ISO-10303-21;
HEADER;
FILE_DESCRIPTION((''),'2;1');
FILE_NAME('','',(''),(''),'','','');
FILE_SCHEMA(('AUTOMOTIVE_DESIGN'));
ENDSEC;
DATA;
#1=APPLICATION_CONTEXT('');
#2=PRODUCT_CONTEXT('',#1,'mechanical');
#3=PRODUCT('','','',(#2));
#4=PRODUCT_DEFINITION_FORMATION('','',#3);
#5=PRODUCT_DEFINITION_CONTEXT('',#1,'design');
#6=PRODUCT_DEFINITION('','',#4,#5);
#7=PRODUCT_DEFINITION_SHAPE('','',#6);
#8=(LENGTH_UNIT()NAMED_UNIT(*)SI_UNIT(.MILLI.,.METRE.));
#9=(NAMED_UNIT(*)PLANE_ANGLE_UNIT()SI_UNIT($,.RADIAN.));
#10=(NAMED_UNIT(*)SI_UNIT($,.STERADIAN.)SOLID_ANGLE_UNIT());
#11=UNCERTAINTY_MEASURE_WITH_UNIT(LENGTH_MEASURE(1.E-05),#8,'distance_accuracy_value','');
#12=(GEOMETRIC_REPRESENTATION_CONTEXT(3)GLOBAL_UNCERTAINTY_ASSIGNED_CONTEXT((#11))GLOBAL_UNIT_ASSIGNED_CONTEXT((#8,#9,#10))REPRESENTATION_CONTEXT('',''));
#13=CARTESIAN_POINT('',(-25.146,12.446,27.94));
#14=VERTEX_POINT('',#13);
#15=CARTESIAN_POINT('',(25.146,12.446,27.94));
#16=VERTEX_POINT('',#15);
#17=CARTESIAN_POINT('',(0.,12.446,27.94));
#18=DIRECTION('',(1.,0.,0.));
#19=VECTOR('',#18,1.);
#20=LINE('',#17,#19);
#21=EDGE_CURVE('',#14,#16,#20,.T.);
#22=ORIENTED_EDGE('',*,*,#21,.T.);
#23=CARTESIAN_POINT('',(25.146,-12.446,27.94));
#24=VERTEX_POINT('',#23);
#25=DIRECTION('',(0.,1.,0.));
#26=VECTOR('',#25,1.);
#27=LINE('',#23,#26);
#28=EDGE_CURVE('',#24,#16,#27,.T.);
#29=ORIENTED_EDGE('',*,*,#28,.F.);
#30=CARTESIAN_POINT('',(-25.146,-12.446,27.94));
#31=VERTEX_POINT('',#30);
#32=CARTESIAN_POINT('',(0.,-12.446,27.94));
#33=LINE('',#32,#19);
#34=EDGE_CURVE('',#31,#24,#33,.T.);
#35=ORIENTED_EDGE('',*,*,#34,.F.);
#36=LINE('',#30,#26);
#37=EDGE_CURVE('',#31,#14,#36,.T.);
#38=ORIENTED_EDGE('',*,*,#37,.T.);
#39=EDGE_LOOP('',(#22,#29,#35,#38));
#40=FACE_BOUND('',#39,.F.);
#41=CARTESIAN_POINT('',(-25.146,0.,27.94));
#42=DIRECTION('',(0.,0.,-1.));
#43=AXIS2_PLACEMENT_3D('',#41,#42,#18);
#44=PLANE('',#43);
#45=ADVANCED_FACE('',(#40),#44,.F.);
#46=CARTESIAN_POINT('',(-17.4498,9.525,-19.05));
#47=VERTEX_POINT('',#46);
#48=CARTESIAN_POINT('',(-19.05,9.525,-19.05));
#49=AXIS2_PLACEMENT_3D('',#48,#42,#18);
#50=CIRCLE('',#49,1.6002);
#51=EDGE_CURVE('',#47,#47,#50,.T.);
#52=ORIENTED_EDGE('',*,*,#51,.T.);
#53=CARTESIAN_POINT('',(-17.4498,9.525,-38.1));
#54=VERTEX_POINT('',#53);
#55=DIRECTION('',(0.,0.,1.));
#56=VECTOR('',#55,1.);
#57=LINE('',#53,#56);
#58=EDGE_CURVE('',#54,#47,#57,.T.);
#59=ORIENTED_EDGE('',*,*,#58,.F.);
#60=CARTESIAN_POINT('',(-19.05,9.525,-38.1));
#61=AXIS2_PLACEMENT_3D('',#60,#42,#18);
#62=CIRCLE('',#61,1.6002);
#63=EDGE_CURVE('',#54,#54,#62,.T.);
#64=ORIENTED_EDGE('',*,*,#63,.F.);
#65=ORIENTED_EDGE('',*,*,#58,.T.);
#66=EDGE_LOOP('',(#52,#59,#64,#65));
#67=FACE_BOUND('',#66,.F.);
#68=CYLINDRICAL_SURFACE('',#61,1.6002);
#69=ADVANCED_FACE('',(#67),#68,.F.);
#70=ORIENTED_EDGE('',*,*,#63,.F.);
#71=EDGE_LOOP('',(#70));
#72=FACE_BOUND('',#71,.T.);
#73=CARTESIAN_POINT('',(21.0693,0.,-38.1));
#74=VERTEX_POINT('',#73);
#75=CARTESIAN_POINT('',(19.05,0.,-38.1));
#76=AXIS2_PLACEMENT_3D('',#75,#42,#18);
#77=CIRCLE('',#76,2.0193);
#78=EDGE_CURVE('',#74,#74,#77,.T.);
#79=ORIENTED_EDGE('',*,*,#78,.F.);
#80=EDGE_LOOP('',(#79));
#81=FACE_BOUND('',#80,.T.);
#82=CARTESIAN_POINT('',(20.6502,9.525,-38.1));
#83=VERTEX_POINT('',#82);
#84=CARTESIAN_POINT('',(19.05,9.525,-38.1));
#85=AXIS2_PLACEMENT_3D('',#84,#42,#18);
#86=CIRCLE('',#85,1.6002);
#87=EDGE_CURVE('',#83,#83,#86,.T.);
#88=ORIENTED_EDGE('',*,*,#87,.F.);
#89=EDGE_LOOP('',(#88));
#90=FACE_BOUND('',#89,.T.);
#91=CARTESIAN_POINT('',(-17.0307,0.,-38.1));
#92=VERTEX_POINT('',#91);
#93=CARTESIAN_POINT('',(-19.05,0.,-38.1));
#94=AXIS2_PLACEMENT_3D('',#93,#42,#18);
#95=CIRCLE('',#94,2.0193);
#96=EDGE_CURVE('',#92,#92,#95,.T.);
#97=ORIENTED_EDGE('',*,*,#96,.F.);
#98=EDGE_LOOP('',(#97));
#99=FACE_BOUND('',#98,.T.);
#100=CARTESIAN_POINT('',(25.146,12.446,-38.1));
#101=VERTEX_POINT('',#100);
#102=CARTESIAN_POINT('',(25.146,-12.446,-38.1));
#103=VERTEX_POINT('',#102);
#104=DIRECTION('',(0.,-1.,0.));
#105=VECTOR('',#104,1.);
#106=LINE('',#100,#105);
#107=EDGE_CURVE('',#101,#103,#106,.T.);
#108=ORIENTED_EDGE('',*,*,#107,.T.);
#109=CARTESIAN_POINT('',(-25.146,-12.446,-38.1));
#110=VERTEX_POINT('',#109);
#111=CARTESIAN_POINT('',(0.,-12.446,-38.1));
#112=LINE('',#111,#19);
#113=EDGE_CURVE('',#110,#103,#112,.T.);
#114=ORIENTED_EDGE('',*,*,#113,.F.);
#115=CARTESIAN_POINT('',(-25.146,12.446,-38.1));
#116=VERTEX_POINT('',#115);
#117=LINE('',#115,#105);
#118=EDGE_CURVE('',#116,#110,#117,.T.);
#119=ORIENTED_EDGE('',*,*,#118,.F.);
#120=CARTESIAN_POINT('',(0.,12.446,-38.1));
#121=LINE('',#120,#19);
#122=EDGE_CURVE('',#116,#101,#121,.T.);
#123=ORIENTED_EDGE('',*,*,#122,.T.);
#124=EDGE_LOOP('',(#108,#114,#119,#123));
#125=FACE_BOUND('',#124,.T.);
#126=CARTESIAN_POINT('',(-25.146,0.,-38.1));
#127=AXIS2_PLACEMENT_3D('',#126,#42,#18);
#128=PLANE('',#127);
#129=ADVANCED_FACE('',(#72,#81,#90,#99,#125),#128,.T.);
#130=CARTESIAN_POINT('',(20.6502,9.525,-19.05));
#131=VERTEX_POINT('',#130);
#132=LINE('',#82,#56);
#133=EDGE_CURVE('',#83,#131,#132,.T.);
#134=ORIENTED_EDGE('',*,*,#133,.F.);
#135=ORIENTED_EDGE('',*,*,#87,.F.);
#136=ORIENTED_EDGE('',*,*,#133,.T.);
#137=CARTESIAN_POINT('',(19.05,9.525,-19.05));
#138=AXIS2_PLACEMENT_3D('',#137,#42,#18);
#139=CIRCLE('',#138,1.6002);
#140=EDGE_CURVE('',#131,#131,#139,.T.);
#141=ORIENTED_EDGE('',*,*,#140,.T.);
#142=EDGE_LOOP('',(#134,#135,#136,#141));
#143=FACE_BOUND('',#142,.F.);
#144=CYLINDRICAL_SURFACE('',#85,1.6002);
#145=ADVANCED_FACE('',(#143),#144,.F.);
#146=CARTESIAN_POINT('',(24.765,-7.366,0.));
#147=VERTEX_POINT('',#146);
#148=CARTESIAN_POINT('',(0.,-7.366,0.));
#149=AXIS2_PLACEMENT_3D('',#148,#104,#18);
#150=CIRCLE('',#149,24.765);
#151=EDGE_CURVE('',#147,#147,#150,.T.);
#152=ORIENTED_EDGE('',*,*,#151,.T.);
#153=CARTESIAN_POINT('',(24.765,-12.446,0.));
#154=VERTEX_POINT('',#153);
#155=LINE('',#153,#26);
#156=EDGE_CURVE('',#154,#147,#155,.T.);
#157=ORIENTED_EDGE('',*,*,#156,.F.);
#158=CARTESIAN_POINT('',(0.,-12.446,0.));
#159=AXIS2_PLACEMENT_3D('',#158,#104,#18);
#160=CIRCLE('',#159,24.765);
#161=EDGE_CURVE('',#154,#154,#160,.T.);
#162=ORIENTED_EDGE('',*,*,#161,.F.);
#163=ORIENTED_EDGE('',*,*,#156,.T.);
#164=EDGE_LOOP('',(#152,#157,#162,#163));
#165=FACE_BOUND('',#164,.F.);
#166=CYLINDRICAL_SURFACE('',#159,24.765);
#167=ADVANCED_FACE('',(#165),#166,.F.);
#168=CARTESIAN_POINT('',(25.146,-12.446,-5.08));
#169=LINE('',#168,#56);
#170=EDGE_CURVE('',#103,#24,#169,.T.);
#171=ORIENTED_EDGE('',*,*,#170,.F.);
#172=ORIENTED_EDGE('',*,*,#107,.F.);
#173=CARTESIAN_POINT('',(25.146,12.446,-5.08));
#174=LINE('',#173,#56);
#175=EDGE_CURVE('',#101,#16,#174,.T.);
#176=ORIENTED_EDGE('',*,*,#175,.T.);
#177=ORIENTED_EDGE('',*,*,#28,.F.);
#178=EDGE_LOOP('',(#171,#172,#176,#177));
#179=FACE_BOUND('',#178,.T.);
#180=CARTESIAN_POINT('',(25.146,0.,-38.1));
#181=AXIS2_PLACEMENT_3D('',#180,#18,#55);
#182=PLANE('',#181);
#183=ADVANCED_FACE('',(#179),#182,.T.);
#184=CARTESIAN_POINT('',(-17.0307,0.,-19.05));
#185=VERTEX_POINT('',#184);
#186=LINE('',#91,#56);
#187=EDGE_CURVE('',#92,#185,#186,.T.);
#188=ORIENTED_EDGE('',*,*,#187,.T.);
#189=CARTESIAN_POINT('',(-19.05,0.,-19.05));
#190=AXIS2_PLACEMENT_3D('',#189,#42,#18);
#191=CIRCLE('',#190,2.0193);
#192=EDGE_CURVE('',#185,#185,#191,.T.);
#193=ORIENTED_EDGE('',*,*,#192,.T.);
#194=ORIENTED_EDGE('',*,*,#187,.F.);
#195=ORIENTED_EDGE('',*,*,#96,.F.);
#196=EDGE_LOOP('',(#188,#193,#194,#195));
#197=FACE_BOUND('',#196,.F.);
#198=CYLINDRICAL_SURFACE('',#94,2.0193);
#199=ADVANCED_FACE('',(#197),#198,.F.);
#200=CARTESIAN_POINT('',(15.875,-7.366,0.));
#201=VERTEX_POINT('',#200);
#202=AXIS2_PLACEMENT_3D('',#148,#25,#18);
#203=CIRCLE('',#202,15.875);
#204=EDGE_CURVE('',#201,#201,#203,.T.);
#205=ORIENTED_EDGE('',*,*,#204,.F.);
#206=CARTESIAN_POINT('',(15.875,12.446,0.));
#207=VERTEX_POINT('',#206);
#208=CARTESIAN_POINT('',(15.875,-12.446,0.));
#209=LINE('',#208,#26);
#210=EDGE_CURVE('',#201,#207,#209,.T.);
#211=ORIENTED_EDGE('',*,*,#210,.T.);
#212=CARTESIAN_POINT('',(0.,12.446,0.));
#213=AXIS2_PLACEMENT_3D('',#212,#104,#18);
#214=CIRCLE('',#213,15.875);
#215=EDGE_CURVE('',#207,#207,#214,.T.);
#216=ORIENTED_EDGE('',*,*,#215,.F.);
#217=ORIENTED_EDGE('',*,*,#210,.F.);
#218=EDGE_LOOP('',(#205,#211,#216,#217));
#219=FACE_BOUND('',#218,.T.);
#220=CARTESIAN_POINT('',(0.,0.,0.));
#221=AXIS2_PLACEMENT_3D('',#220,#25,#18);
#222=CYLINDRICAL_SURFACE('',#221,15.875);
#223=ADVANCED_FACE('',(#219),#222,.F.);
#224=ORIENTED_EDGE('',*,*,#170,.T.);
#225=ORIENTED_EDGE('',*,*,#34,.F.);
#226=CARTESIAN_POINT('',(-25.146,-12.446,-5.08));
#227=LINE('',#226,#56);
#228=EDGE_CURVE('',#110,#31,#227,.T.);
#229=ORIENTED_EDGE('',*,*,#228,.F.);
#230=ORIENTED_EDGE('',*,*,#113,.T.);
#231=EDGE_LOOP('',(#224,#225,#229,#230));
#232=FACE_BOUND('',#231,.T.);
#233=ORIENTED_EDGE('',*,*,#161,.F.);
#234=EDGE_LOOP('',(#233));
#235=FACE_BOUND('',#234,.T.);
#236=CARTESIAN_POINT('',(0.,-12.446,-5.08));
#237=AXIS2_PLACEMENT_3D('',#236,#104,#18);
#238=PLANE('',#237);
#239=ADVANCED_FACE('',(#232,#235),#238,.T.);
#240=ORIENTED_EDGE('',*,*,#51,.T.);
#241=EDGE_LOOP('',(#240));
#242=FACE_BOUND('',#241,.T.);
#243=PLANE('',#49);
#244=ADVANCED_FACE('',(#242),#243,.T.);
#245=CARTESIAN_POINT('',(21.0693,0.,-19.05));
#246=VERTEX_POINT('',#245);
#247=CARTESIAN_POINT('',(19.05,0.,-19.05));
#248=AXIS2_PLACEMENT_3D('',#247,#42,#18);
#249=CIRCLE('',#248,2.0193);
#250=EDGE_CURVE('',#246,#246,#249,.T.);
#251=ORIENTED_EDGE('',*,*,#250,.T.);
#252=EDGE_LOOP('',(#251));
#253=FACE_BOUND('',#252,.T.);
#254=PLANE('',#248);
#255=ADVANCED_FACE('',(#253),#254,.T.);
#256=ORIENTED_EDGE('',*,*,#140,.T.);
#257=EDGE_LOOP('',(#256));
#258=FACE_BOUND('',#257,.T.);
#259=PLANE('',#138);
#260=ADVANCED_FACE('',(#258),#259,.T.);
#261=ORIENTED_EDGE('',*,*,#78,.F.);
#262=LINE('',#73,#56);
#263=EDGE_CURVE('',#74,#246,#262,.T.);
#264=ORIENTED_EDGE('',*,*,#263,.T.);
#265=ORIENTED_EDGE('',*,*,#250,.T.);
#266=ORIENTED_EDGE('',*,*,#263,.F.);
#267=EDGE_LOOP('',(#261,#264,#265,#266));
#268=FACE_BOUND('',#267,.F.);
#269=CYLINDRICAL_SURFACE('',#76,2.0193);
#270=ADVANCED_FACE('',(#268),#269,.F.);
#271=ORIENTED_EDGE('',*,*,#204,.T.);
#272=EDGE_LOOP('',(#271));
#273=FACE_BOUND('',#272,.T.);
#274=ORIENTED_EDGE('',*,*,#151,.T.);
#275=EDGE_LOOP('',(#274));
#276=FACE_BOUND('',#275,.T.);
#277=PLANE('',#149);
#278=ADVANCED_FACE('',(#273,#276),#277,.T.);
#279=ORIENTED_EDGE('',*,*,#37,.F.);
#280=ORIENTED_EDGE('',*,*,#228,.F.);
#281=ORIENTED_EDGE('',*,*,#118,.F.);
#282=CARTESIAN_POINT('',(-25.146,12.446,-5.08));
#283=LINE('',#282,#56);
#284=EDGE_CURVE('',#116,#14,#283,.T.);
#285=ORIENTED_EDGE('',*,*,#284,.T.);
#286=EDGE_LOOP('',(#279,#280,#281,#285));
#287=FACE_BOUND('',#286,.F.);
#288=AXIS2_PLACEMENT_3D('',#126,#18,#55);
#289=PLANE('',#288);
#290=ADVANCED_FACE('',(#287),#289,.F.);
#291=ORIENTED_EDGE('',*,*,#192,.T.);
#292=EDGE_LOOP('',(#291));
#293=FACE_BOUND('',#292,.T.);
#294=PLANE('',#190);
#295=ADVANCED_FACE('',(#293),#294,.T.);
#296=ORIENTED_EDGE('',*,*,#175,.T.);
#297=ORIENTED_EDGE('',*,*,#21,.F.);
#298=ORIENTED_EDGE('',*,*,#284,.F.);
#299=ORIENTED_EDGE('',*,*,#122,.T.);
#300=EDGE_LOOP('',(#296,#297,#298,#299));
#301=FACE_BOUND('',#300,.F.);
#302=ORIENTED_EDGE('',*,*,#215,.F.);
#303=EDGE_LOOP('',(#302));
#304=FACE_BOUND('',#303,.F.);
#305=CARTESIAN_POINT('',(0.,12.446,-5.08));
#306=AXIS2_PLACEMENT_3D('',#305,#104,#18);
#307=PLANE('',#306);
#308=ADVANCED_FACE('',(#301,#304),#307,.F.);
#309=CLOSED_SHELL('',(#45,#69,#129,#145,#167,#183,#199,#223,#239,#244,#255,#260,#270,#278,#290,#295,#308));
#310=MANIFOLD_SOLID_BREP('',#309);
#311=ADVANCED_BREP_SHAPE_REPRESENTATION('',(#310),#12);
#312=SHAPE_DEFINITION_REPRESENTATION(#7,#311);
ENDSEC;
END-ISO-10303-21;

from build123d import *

# Parameters (mm, degrees)
F0_W     = 50.292
F0_H     = 66.04
F0_R     = 15.875
F1_DEPTH = 12.446
F2_R     = 24.765
F3_DEPTH = 5.08
F4_R     = 2.0193
F4_R_2   = 1.6002
F5_DEPTH = 19.05


with BuildPart() as f1:
    # F0 (on Front) → F1 (new body, symmetric)
    with BuildSketch(Plane.XZ):
        with Locations((0, -5.08)):
            Rectangle(F0_W, F0_H)
        Circle(F0_R, mode=Mode.SUBTRACT)
    extrude(amount=F1_DEPTH, both=True)

    # F2 (on face) → F3 (cut)
    with BuildSketch(Plane.XZ.offset(12.446)):
        Circle(F2_R)
    extrude(amount=-F3_DEPTH, mode=Mode.SUBTRACT)

    # F4 (on face) → F5 (cut)
    with BuildSketch(Plane(origin=(0, 0, -38.1), x_dir=(1, 0, 0), z_dir=(0, 0, -1))):
        with Locations((-19.05, 0)):
            Circle(F4_R)
        with Locations((19.05, 0)):
            Circle(F4_R)
        with Locations((-19.05, -9.525)):
            Circle(F4_R_2)
        with Locations((19.05, -9.525)):
            Circle(F4_R_2)
    extrude(amount=-F5_DEPTH, mode=Mode.SUBTRACT)


solid = f1.part
